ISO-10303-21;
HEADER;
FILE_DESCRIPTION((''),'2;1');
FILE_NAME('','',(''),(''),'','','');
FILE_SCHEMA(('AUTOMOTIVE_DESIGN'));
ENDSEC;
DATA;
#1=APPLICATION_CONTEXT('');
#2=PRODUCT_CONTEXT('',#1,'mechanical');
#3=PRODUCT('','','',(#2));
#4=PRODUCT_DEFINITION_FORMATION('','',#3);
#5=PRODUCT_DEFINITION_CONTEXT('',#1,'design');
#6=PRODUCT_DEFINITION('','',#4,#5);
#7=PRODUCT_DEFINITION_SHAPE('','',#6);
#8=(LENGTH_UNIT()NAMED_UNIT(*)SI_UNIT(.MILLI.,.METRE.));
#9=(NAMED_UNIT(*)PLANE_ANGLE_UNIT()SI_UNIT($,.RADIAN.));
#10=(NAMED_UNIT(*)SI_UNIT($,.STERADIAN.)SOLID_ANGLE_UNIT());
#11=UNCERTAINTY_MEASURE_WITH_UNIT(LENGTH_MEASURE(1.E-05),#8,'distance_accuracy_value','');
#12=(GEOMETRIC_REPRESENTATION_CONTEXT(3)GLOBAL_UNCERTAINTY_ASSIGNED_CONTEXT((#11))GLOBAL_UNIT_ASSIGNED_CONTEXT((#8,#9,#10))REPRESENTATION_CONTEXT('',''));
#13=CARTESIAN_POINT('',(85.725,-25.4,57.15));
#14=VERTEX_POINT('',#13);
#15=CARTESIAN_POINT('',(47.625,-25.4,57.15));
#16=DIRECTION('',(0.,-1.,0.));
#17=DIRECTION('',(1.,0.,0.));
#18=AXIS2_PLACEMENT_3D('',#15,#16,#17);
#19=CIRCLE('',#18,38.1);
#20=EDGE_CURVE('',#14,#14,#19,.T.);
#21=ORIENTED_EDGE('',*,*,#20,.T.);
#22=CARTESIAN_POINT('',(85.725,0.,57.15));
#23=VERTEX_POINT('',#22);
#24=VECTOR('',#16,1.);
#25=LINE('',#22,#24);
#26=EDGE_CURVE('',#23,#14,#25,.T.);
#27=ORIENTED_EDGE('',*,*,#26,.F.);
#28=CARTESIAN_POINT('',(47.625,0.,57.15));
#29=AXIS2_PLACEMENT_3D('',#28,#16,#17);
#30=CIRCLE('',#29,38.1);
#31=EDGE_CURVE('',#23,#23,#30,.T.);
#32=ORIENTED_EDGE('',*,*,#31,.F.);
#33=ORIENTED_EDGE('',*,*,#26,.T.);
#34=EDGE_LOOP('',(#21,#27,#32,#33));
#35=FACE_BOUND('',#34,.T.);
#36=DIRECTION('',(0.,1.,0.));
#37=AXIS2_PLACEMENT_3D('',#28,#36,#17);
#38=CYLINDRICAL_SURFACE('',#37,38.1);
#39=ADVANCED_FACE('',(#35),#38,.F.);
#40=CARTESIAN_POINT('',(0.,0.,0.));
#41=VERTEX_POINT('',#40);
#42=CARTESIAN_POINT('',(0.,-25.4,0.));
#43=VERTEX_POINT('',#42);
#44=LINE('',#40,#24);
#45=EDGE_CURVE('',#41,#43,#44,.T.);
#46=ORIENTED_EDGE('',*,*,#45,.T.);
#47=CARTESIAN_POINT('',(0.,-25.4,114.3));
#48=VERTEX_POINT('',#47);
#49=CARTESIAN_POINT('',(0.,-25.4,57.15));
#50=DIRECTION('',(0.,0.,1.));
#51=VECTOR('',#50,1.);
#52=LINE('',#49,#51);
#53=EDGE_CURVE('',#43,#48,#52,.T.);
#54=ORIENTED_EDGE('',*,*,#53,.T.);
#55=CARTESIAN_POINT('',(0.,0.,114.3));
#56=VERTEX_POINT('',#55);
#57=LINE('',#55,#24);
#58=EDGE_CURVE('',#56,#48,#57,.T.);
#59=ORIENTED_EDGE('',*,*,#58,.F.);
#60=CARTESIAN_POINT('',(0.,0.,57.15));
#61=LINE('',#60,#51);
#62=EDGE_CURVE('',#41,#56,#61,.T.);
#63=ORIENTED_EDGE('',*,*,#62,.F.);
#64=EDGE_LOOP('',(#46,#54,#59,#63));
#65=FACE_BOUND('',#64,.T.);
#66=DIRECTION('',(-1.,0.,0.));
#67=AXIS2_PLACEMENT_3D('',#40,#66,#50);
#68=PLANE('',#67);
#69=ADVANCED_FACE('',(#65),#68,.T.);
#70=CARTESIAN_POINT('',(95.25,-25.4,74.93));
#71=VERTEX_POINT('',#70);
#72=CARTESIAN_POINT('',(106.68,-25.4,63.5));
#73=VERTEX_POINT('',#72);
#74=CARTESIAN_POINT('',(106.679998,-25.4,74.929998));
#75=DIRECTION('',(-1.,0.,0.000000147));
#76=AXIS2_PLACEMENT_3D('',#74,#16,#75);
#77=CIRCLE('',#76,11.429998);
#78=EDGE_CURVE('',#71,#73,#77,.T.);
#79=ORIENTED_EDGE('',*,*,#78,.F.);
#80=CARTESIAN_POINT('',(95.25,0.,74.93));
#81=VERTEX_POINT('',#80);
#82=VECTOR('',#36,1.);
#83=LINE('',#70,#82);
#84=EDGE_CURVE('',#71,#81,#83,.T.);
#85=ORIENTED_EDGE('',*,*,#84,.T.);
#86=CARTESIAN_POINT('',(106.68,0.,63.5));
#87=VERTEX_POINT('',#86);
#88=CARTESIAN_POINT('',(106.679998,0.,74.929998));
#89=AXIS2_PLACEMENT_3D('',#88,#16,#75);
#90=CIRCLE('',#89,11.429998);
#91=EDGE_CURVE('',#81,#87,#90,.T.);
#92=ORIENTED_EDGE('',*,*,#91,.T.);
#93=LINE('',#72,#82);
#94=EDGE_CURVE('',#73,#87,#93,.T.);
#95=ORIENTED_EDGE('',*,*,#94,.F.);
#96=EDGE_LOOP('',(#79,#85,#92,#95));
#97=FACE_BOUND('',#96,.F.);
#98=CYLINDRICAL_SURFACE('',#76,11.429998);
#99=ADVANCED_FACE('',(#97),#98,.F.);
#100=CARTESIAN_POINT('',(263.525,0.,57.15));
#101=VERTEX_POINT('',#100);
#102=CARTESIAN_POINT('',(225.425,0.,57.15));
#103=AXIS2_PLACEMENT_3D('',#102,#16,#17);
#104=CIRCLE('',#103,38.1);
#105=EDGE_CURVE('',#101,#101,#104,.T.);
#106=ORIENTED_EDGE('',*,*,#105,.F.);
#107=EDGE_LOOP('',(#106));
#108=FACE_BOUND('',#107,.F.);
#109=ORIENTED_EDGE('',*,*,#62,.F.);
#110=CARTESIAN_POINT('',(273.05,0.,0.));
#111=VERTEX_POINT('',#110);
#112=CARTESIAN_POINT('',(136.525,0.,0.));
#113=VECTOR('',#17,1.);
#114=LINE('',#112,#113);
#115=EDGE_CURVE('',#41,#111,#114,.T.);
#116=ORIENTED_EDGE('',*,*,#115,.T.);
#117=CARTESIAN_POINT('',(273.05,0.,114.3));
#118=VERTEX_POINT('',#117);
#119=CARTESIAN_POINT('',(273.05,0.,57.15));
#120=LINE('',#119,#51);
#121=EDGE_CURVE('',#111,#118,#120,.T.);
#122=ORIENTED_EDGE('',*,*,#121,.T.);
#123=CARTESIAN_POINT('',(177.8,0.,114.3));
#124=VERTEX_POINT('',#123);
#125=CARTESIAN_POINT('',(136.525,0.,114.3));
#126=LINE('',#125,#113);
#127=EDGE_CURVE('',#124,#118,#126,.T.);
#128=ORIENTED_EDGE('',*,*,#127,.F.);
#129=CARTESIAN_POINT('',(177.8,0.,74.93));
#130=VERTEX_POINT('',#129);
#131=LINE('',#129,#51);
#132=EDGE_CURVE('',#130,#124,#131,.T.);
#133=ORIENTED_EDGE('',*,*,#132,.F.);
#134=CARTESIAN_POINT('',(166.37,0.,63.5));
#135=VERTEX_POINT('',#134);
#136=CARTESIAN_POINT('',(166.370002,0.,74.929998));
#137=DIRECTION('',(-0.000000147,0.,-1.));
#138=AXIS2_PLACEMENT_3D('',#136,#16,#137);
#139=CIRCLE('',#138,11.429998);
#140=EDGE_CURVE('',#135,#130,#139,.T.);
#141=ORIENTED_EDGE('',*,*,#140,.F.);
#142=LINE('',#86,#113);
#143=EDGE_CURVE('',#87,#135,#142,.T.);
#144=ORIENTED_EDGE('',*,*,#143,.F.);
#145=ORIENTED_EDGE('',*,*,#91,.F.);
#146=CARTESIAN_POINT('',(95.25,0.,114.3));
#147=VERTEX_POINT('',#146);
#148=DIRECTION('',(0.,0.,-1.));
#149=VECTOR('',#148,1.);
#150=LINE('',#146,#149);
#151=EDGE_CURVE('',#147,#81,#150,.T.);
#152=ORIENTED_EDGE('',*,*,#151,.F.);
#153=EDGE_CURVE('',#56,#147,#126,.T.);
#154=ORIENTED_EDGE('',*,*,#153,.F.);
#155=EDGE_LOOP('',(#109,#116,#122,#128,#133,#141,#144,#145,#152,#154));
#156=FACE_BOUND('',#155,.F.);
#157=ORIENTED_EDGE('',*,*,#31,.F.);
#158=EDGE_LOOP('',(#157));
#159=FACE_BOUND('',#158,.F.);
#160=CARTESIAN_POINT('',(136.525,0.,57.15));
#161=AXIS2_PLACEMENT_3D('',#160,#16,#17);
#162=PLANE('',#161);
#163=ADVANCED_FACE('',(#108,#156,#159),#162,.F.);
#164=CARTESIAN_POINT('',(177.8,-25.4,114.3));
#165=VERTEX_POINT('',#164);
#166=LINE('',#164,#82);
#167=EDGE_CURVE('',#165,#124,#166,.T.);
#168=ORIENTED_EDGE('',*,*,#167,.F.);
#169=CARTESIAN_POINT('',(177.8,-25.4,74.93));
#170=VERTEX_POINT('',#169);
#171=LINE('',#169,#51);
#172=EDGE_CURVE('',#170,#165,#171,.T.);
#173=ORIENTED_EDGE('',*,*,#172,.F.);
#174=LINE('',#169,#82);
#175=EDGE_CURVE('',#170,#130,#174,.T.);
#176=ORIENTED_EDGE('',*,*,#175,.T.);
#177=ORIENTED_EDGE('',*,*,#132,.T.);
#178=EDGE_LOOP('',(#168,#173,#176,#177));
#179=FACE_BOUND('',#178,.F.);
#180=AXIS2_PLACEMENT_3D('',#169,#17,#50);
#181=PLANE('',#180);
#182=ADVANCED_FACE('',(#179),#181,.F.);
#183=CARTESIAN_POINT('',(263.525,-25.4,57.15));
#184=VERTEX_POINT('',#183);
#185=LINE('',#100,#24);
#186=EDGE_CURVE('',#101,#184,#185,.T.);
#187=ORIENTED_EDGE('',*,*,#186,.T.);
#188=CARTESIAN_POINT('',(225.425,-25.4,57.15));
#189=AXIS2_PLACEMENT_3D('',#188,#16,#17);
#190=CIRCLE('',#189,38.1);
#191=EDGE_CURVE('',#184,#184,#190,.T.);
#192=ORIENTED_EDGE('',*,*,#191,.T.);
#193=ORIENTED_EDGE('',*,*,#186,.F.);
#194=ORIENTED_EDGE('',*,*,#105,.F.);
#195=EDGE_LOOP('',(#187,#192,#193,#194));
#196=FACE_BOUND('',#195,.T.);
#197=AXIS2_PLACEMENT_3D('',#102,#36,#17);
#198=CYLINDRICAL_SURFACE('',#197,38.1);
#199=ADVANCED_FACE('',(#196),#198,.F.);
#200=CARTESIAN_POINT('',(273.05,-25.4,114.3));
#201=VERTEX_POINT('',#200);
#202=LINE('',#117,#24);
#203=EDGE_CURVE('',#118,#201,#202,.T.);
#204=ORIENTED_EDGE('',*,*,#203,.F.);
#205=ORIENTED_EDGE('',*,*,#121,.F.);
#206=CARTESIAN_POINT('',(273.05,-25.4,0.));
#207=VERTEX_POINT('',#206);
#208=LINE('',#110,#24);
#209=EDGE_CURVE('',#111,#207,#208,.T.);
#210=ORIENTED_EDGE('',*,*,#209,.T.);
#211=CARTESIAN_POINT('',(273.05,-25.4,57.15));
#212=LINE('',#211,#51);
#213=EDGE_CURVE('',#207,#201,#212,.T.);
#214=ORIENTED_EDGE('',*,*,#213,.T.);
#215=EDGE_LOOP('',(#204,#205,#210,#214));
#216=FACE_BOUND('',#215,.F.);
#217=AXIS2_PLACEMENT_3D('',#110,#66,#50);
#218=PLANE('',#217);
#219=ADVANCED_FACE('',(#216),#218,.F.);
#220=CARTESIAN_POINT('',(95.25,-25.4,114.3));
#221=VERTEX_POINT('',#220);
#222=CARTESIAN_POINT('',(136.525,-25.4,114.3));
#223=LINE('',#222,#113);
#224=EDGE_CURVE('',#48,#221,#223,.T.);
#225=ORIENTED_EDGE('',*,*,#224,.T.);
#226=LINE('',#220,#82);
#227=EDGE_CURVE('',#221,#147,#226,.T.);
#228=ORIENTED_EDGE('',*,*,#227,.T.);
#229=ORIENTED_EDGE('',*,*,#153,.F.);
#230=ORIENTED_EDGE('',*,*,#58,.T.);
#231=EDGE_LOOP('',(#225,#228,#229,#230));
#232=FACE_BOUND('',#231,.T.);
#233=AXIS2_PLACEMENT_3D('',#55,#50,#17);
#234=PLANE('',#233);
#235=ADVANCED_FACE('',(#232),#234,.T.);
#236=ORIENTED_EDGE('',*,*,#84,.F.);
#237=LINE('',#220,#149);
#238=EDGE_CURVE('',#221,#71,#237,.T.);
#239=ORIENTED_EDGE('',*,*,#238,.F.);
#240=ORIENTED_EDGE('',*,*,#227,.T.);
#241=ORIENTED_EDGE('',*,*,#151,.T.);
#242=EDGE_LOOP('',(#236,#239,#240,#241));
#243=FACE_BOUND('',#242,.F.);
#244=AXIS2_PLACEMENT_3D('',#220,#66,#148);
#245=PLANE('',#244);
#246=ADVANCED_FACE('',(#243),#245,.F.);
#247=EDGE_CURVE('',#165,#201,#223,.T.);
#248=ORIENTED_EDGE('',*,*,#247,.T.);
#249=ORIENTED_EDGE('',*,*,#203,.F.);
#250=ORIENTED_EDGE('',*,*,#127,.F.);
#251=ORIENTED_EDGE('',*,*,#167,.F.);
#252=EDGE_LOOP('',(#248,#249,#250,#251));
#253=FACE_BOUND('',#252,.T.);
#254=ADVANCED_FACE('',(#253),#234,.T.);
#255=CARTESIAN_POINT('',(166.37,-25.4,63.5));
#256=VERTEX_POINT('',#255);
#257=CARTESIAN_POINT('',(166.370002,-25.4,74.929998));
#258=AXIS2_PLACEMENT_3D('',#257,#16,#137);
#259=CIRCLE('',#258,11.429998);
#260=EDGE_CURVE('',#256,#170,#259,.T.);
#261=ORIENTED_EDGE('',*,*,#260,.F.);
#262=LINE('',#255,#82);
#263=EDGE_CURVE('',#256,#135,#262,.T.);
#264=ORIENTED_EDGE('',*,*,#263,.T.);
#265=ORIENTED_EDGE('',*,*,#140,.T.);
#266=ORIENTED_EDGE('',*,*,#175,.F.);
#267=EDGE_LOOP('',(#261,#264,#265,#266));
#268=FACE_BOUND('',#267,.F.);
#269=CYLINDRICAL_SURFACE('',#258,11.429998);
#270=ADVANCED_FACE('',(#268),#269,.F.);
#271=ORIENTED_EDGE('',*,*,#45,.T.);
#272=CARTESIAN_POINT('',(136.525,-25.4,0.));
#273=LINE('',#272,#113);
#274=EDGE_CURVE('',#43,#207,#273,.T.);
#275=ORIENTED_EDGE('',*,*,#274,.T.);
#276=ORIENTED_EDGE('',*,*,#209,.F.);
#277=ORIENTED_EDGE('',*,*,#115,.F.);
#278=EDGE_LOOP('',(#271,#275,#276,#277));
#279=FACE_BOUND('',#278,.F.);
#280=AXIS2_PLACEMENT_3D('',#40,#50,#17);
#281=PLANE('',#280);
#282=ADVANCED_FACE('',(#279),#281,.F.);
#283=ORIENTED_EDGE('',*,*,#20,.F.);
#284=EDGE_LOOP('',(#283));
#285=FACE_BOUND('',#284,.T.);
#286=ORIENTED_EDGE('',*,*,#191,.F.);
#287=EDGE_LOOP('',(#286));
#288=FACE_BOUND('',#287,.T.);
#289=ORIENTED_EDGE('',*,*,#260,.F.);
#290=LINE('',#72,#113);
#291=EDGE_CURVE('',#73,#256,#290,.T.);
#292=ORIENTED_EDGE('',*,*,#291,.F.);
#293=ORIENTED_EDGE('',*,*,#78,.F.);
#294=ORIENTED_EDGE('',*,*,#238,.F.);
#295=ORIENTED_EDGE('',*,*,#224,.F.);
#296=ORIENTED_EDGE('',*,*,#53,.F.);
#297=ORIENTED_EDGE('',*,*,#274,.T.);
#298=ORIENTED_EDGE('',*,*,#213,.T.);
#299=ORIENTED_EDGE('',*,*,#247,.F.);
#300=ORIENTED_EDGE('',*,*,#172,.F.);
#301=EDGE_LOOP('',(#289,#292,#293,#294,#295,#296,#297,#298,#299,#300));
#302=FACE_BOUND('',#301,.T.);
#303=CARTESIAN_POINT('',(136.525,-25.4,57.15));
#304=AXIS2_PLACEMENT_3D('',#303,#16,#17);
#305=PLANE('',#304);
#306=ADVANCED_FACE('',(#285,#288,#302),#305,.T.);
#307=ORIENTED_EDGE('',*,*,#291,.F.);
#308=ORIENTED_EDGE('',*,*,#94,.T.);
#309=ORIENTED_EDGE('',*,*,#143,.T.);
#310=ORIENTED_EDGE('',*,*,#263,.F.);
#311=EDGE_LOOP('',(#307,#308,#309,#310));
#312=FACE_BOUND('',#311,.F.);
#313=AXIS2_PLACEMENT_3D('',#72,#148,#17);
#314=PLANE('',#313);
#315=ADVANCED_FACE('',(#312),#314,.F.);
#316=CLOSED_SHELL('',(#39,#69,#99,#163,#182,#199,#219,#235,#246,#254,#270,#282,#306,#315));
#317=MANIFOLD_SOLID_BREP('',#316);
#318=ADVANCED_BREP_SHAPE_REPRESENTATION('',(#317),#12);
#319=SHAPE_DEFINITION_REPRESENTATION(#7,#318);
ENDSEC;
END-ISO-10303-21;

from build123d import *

# Parameters (mm, degrees)
F0_W     = 273.05
F0_H     = 114.3
F0_R     = 38.1
F1_DEPTH = 25.4
F3_DEPTH = 25.4


with BuildPart() as f1:
    # F0 (on Front) → F1 (new body)
    with BuildSketch(Plane.XZ):
        with Locations((136.525, 57.15)):
            Rectangle(F0_W, F0_H)
        with Locations((47.625, 57.15)):
            Circle(F0_R, mode=Mode.SUBTRACT)
        with Locations((225.425, 57.15)):
            Circle(F0_R, mode=Mode.SUBTRACT)
    extrude(amount=F1_DEPTH)

    # F2 (on face) → F3 (cut)
    with BuildSketch(Plane.XZ.offset(25.4)):
        with BuildLine():
            Line((177.8, 114.3), (95.25, 114.3))
            Line((95.25, 114.3), (95.25, 74.93))
            ThreePointArc((95.25, 74.93), (98.597769, 66.847769), (106.68, 63.5))
            Line((106.68, 63.5), (166.37, 63.5))
            ThreePointArc((166.37, 63.5), (174.452231, 66.847769), (177.8, 74.93))
            Line((177.8, 74.93), (177.8, 114.3))
        make_face()
    extrude(amount=-F3_DEPTH, mode=Mode.SUBTRACT)


solid = f1.part
